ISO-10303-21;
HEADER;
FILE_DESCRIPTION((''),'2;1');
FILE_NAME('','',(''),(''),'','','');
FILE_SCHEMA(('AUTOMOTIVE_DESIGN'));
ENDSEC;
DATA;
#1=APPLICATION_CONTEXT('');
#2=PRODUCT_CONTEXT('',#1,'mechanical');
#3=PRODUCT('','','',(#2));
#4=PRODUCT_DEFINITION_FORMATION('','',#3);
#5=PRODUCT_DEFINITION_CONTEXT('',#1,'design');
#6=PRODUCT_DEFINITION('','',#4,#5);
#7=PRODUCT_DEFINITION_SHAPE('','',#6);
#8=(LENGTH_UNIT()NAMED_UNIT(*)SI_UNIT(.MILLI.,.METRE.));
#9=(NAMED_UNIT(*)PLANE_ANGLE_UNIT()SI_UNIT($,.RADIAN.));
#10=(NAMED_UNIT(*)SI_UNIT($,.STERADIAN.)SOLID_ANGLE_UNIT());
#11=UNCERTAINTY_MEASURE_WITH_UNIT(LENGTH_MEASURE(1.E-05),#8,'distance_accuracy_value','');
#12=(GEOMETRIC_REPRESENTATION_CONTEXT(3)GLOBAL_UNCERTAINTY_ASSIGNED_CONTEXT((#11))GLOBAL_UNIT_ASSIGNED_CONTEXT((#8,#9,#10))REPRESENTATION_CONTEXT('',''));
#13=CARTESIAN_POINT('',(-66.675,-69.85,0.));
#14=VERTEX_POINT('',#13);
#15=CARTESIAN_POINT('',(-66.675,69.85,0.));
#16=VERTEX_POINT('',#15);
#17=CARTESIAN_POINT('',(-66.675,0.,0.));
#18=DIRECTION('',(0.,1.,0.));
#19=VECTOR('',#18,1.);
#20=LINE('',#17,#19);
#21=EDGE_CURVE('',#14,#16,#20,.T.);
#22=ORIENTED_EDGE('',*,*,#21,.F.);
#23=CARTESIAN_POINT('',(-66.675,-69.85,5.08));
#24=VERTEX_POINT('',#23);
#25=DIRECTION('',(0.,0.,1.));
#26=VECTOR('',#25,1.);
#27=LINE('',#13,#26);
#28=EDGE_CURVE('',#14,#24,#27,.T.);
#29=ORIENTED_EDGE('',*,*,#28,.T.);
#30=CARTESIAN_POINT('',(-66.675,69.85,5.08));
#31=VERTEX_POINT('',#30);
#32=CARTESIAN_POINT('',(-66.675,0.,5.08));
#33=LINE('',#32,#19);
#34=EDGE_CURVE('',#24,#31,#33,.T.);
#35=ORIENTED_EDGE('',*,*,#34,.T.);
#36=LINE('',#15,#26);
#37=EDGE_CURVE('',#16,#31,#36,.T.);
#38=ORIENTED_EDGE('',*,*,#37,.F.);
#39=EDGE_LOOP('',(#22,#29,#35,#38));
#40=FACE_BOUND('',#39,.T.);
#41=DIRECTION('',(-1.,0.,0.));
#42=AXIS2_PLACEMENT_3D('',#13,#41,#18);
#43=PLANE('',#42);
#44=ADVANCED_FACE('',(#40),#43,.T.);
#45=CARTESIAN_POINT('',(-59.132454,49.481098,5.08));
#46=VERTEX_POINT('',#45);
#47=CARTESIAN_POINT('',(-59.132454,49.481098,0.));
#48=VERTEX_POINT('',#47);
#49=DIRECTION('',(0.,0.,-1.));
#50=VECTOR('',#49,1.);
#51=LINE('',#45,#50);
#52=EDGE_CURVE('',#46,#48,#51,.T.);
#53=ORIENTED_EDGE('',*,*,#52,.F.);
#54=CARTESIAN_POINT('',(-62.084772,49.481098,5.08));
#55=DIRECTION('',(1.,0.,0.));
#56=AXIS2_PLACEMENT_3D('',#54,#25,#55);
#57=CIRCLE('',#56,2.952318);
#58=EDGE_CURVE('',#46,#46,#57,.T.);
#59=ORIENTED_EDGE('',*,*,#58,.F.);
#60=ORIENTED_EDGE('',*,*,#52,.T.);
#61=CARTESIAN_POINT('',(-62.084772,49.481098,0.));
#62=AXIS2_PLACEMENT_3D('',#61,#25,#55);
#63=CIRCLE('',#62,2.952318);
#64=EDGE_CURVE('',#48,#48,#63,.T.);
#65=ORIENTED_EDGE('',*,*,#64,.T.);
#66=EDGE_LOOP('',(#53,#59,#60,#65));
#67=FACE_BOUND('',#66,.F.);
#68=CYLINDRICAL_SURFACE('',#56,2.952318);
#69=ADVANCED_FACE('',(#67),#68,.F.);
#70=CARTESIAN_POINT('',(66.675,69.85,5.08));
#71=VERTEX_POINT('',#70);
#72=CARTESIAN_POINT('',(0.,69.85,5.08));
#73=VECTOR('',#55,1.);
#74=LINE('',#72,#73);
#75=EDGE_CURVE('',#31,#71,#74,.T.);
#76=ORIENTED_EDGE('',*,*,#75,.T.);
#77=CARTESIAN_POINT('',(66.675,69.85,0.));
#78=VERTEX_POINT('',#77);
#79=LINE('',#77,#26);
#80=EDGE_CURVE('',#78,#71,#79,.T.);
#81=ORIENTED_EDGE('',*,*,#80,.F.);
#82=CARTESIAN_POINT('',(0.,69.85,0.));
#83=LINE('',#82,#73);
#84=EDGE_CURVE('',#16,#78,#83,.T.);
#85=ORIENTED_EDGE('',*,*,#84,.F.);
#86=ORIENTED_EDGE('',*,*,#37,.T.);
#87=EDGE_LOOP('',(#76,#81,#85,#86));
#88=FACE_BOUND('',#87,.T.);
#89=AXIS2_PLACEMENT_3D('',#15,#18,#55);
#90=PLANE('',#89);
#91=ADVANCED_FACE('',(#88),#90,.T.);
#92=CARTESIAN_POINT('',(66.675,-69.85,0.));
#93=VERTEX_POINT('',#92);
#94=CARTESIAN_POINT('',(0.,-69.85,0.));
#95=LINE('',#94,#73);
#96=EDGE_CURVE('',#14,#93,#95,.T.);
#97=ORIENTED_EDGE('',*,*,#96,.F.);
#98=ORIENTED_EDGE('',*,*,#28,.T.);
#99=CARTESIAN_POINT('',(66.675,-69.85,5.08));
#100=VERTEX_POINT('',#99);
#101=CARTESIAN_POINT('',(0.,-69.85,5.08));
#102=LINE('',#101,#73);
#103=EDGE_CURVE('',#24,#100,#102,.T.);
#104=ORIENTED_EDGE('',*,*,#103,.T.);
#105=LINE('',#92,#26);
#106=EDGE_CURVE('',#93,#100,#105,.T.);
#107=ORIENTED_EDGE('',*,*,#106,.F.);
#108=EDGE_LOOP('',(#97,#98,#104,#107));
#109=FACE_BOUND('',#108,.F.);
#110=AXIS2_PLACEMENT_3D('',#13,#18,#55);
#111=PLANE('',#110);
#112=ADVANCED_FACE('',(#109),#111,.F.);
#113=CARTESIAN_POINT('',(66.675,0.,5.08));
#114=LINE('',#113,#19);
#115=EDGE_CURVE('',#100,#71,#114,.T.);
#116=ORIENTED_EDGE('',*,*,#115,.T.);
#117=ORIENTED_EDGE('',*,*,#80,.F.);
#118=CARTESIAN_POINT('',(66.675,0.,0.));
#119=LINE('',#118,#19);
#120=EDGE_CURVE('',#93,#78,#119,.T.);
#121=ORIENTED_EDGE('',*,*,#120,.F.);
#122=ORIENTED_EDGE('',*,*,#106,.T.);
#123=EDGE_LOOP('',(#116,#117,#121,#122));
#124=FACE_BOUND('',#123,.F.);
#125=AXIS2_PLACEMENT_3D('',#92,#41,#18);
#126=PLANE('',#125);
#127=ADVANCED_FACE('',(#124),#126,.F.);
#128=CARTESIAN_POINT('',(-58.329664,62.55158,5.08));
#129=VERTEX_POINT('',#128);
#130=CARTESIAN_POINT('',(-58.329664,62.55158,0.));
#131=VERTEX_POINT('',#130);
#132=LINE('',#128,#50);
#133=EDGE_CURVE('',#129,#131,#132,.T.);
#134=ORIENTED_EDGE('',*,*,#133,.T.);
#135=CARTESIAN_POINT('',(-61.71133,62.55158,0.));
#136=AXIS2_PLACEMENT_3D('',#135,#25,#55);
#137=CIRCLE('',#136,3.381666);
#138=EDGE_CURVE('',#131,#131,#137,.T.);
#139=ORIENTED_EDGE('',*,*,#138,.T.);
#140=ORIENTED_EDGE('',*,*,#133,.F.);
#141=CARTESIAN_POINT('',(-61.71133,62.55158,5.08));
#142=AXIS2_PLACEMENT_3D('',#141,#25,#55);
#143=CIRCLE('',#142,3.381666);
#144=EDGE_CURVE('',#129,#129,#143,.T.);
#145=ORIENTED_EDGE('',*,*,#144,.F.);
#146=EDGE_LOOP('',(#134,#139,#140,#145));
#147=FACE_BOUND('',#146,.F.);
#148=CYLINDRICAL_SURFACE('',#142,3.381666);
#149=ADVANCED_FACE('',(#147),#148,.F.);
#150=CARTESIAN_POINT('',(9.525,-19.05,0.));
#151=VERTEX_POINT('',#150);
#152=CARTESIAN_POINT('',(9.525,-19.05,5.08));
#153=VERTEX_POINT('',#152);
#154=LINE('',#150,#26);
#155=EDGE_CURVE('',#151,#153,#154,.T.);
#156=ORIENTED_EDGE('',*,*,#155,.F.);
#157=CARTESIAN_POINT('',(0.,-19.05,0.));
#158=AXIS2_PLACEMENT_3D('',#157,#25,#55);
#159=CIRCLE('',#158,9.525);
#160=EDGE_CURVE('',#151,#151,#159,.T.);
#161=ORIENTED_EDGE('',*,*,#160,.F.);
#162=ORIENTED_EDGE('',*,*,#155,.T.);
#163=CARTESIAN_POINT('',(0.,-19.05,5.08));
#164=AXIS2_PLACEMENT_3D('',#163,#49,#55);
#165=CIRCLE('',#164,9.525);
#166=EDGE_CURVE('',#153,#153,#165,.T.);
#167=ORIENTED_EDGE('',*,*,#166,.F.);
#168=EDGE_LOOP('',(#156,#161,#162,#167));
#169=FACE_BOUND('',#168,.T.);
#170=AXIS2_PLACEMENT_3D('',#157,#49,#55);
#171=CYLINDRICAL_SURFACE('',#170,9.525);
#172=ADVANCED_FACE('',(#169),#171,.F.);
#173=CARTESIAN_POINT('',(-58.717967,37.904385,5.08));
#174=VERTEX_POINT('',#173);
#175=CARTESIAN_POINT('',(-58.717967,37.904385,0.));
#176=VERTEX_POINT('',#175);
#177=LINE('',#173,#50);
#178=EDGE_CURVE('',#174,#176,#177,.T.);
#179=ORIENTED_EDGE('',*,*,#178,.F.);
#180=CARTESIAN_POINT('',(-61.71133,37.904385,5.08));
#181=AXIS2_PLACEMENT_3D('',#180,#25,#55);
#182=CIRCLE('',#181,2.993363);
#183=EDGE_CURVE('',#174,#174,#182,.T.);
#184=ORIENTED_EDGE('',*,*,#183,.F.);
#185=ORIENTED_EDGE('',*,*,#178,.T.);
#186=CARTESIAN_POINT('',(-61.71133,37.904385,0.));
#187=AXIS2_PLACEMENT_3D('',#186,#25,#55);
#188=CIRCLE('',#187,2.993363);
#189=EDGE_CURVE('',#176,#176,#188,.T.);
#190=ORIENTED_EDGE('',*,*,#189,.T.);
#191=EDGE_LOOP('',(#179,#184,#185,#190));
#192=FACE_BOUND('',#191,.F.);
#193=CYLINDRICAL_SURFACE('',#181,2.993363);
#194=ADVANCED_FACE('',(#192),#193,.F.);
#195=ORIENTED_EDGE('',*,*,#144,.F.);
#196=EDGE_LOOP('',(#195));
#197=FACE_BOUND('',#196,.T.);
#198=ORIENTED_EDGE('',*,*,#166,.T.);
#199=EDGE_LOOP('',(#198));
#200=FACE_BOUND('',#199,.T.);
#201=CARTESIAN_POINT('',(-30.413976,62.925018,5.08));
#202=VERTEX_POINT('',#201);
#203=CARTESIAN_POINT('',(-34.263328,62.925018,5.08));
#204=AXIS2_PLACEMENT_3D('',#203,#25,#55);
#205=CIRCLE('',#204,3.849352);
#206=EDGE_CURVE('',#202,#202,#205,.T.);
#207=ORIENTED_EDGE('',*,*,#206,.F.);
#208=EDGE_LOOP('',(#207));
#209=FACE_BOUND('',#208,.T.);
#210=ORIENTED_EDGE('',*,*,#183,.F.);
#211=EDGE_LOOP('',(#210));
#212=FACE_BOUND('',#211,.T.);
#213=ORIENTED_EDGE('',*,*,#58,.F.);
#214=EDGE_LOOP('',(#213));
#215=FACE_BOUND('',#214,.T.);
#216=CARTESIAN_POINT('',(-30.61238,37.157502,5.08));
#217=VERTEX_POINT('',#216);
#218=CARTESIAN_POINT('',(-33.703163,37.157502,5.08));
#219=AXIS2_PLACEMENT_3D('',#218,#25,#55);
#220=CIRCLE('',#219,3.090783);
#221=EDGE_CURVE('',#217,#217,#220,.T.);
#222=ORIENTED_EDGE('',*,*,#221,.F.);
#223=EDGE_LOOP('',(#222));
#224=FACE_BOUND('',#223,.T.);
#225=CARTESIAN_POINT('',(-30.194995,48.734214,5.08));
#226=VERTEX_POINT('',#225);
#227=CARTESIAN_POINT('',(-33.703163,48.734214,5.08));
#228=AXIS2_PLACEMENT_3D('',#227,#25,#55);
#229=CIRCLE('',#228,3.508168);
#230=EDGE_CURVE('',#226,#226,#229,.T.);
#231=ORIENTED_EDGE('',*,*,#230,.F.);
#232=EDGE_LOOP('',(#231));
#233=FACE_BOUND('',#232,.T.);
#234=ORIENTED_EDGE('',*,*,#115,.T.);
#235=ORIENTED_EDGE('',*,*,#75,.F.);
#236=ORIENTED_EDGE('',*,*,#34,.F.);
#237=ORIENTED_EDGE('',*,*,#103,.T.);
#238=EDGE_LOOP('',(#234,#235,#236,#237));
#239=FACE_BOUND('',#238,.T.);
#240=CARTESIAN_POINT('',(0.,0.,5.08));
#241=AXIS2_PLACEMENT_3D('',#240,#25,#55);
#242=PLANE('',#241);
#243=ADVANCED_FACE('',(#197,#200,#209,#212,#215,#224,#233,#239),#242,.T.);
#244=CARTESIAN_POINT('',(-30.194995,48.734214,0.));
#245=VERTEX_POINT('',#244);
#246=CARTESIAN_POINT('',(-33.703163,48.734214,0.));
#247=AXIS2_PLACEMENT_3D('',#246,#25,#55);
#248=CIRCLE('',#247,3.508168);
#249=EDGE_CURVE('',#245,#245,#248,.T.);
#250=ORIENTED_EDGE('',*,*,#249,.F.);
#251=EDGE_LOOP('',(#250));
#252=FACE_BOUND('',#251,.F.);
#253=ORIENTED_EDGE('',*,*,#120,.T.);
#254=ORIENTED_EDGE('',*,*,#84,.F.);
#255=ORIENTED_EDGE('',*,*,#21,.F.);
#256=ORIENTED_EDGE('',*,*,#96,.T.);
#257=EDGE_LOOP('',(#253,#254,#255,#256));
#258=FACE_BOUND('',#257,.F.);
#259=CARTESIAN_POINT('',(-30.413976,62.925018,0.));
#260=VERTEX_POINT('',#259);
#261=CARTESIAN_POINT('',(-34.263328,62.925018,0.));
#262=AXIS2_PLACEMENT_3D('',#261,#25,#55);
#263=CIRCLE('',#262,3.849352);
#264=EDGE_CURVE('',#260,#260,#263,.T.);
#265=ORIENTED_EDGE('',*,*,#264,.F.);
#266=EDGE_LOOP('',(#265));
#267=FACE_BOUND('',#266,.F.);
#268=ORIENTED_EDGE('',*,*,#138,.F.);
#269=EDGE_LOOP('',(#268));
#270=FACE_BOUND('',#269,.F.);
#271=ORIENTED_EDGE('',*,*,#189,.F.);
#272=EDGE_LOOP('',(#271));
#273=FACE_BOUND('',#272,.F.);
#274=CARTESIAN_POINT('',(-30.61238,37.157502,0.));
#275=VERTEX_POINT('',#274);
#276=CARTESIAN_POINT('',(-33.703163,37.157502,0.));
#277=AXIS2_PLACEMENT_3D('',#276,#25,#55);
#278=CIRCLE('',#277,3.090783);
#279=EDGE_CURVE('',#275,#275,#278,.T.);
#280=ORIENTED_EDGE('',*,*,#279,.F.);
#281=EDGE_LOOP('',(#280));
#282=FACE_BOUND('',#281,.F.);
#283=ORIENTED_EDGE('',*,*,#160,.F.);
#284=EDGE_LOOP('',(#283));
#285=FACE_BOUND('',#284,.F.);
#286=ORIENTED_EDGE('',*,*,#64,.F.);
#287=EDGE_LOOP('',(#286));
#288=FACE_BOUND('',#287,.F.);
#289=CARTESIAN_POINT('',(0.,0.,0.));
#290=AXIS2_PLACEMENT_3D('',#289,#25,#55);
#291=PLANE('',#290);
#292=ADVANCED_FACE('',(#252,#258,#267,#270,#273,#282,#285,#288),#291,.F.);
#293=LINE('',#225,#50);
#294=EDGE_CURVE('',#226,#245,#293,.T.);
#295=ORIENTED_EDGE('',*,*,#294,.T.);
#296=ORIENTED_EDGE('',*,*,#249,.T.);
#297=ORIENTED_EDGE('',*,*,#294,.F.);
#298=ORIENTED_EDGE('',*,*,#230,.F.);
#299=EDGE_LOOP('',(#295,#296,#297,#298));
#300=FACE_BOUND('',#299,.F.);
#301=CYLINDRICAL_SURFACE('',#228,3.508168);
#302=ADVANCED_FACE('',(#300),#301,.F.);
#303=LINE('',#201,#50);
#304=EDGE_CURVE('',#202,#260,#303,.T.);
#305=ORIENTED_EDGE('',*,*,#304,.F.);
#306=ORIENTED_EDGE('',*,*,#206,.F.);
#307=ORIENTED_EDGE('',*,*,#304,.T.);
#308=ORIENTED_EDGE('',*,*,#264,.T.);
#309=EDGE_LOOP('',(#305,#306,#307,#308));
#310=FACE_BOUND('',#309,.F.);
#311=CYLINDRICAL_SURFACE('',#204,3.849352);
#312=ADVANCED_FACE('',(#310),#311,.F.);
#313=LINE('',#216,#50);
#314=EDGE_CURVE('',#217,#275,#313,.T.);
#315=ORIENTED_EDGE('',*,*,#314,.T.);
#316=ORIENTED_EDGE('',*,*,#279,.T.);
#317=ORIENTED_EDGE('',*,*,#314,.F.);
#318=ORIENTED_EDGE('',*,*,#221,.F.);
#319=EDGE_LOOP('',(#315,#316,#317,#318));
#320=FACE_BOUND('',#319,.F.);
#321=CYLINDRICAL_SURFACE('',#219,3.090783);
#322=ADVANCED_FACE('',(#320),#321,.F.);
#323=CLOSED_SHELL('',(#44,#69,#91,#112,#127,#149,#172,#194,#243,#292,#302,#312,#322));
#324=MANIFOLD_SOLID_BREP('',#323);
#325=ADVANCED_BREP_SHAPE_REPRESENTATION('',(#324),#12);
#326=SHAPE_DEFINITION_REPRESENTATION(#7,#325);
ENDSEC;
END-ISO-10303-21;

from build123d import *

# Parameters (mm, degrees)
F0_W     = 133.35
F0_H     = 139.7
F1_DEPTH = 5.08
F2_R     = 9.525
F3_DEPTH = 27.178
F4_R     = 3.381666
F4_R_2   = 2.993363
F4_R_3   = 2.952318
F4_R_4   = 3.849352
F4_R_5   = 3.508168
F4_R_6   = 3.090783
F5_DEPTH = 25.4


with BuildPart() as f1:
    # F0 (on Top) → F1 (new body)
    with BuildSketch(Plane.XY):
        Rectangle(F0_W, F0_H)
    extrude(amount=F1_DEPTH)

    # F2 (on Top) → F3 (cut)
    with BuildSketch(Plane.XY):
        with Locations((0, -19.05)):
            Circle(F2_R)
    extrude(amount=F3_DEPTH, mode=Mode.SUBTRACT)

    # F4 (on face) → F5 (cut)
    with BuildSketch(Plane.XY.offset(5.08)):
        with Locations((-61.71133, 62.55158)):
            Circle(F4_R)
        with Locations((-61.71133, 37.904385)):
            Circle(F4_R_2)
        with Locations((-62.084772, 49.481098)):
            Circle(F4_R_3)
        with Locations((-34.263328, 62.925018)):
            Circle(F4_R_4)
        with Locations((-33.703163, 48.734214)):
            Circle(F4_R_5)
        with Locations((-33.703163, 37.157502)):
            Circle(F4_R_6)
    extrude(amount=-F5_DEPTH, mode=Mode.SUBTRACT)


solid = f1.part
